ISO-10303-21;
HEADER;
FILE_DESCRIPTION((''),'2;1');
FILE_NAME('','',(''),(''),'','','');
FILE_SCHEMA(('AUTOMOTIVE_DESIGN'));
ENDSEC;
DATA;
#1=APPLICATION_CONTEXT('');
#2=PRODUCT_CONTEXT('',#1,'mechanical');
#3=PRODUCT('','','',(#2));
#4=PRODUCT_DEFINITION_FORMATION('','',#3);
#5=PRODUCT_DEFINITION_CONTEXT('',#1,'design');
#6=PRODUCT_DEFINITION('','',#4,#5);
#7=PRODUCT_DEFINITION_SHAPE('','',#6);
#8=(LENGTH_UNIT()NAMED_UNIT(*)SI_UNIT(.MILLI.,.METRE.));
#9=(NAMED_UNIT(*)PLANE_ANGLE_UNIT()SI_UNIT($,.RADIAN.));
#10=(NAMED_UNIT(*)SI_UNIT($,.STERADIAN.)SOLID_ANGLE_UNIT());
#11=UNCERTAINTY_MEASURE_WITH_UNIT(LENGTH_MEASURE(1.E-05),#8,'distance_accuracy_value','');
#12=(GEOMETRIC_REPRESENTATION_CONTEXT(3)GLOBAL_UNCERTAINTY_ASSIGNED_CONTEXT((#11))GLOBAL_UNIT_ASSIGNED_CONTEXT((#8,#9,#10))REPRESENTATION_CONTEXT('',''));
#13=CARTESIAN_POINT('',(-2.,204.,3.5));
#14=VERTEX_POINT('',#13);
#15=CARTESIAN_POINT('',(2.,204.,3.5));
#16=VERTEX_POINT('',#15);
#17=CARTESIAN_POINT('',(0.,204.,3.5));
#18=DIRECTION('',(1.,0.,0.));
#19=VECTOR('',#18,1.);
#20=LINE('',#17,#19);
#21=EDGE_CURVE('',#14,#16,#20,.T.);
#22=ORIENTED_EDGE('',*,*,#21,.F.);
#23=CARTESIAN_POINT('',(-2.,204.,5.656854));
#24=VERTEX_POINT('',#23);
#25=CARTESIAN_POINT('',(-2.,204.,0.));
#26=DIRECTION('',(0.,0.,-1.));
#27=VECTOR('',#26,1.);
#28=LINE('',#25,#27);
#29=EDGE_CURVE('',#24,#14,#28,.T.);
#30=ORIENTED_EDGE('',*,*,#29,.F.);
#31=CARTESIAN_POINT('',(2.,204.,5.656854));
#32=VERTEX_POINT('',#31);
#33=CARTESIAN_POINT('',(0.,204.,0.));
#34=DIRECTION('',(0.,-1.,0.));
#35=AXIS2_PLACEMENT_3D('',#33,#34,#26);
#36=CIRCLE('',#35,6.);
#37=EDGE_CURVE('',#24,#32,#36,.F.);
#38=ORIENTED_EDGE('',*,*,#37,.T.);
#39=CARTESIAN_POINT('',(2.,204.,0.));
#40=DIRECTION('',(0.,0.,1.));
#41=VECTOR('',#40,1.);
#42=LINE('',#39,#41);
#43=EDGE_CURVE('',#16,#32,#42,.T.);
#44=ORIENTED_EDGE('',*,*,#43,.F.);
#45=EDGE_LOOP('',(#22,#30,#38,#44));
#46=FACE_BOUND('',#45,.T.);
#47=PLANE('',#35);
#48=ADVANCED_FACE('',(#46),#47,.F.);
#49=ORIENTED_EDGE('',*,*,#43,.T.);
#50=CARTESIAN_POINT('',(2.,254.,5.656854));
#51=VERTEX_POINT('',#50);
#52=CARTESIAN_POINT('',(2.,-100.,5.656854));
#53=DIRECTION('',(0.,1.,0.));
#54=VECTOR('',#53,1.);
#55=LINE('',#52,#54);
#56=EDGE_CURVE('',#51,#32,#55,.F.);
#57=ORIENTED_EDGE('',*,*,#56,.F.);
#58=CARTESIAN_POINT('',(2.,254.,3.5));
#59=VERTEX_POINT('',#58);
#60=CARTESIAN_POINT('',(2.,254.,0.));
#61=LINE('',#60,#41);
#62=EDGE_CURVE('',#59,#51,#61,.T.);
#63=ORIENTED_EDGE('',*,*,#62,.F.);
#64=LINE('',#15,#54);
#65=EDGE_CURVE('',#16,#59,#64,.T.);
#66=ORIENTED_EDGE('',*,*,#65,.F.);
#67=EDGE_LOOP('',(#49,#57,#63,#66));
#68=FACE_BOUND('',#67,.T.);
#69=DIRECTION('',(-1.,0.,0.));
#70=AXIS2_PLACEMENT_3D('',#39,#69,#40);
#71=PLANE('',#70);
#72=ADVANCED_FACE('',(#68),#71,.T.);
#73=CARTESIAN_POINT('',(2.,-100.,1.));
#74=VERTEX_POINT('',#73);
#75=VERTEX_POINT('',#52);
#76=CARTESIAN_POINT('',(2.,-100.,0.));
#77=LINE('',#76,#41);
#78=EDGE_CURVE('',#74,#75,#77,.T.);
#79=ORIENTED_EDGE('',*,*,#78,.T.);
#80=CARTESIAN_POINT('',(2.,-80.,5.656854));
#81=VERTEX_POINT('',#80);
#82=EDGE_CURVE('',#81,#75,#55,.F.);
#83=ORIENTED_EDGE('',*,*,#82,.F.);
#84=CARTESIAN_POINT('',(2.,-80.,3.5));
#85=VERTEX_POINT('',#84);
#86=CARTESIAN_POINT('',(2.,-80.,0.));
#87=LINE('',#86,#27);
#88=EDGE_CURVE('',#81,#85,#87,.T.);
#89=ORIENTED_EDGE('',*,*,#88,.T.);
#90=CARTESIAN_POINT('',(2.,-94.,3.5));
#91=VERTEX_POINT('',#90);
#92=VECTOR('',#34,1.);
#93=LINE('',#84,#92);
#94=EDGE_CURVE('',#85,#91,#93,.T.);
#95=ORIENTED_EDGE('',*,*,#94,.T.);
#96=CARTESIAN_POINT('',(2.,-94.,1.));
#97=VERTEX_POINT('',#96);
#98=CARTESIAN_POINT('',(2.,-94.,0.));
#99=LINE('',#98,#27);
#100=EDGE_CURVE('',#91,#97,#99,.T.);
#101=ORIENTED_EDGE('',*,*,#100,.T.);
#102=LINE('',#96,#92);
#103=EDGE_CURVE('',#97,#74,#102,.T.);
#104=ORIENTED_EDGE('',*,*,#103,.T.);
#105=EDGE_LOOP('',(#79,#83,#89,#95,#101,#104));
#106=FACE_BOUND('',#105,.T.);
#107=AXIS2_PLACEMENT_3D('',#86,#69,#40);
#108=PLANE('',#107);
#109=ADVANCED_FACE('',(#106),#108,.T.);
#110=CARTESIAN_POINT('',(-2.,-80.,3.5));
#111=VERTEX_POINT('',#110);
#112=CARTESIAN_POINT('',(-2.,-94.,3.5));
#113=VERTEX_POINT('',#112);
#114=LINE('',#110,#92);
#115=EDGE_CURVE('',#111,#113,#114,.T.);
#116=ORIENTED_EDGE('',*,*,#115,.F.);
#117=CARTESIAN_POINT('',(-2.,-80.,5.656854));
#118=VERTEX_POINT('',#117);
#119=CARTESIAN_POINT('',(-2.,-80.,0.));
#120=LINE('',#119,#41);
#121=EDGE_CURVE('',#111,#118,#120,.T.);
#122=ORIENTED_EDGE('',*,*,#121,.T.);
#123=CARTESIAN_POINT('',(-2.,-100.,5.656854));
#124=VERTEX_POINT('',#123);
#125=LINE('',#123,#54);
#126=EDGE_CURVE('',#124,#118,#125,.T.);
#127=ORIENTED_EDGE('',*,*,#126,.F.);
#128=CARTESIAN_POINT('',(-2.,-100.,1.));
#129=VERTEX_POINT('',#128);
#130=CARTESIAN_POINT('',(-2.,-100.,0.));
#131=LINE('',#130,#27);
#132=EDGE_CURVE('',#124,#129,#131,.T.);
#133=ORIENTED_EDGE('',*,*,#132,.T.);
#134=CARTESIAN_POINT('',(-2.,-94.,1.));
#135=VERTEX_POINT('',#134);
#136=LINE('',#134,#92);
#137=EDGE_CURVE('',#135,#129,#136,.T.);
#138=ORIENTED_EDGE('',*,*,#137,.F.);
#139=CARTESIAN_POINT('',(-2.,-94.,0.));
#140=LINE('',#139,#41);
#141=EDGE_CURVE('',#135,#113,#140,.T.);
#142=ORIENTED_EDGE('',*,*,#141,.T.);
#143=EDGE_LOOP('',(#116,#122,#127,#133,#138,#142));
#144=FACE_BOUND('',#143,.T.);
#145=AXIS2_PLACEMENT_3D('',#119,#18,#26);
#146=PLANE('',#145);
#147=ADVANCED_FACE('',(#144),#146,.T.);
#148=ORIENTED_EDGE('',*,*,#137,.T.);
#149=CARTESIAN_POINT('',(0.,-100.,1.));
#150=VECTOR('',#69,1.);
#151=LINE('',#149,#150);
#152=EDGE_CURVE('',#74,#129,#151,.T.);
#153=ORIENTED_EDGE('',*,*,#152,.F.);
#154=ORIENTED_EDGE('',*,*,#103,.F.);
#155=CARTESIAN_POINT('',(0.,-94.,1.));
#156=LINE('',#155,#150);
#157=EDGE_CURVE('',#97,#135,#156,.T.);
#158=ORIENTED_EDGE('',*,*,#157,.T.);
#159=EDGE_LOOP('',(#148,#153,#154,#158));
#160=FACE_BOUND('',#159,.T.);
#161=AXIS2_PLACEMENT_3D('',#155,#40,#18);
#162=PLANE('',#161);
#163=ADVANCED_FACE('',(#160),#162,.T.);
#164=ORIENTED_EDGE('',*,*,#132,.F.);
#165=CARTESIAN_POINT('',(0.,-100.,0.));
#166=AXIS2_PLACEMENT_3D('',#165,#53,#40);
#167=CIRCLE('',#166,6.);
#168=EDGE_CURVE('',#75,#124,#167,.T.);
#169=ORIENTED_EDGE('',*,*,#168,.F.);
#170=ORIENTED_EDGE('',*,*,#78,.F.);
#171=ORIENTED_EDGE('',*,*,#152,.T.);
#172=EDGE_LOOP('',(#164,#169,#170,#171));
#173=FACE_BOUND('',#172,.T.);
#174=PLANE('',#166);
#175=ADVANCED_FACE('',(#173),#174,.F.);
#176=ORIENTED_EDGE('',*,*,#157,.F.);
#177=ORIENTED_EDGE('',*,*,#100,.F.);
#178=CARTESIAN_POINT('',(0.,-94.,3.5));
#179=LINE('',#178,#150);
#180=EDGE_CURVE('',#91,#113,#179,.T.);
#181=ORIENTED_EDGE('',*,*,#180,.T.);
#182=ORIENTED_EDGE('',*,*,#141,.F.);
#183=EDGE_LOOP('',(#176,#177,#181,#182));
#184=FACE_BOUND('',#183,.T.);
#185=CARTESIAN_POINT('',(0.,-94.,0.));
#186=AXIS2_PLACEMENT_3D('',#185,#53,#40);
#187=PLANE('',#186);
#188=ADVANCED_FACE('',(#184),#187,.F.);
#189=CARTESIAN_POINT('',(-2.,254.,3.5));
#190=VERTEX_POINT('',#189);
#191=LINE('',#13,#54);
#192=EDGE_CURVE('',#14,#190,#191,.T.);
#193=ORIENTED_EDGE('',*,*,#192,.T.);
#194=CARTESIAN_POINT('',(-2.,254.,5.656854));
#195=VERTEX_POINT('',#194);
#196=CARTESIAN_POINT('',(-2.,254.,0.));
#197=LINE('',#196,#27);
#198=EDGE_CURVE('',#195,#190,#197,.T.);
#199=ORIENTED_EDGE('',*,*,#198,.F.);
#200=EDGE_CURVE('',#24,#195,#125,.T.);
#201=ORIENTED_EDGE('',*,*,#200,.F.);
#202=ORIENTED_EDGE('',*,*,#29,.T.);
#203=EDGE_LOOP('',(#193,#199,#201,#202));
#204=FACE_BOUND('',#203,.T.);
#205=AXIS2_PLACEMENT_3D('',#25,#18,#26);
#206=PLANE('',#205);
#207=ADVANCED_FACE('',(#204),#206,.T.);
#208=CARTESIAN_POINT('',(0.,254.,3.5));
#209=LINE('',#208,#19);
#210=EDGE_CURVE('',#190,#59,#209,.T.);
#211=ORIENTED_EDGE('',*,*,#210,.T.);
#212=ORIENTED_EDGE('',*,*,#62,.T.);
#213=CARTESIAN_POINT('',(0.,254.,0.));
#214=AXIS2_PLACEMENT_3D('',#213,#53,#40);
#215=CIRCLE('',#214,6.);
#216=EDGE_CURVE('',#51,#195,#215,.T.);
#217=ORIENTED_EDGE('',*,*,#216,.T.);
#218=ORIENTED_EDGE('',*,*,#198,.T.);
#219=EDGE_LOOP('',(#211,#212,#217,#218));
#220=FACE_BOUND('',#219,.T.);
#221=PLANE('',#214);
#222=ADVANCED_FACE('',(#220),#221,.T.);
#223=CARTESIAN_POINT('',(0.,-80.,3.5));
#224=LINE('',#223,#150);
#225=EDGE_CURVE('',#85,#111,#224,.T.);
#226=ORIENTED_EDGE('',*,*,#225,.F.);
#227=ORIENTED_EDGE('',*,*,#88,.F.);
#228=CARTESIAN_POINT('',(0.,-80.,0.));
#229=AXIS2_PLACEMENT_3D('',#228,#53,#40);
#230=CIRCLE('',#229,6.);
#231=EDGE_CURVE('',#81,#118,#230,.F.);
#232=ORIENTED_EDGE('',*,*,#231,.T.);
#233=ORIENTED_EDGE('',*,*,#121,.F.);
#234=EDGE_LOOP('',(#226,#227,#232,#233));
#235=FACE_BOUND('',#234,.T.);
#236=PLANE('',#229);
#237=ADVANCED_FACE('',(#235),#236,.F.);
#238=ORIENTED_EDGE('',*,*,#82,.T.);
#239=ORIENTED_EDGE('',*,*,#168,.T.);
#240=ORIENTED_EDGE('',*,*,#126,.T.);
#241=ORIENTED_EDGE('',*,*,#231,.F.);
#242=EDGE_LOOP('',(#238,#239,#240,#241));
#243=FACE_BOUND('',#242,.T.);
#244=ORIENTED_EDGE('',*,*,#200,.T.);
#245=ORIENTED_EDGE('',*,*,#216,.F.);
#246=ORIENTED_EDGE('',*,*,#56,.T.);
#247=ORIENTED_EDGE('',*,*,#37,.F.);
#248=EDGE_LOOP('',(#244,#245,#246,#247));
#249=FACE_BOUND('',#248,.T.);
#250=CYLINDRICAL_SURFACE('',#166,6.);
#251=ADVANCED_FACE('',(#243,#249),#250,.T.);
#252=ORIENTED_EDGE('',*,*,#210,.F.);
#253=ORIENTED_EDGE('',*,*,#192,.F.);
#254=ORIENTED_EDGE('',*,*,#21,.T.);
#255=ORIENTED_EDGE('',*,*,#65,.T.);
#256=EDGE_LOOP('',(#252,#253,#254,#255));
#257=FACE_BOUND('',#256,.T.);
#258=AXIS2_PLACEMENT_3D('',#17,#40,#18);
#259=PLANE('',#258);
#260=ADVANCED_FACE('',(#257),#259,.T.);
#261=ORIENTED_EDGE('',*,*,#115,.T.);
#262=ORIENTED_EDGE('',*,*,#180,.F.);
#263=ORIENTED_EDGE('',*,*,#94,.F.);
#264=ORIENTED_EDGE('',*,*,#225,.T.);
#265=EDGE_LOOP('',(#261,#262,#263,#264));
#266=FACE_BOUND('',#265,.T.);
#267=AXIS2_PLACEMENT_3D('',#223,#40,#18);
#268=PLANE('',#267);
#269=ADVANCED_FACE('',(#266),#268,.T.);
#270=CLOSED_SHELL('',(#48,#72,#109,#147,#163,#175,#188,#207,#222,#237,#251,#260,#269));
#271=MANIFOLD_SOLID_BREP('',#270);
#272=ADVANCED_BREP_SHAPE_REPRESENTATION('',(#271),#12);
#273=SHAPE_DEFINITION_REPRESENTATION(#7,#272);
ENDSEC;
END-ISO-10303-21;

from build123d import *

# Parameters (mm, degrees)
SKETCH1_R                = 6
BOSS_EXTRUDE1_DEPTH      = 254
BOSS_EXTRUDE1_DEPTH_BACK = 100
CUT_EXTRUDE3_START       = -100
SKETCH2_W                = 4
SKETCH2_H                = 5
CUT_EXTRUDE3_DEPTH       = 20
CUT_EXTRUDE3_DEPTH_BACK  = 0.0001
CUT_EXTRUDE4_START       = 254
SKETCH2_2_W              = 4
SKETCH2_2_H              = 5
CUT_EXTRUDE4_DEPTH       = 50
CUT_EXTRUDE6_START       = -100
SKETCH3_W                = 4
SKETCH3_H                = 10
CUT_EXTRUDE6_DEPTH       = 6


with BuildPart() as part:
    # Sketch1 → Boss-Extrude1 (new body, two sides)
    with BuildSketch(Plane(origin=(0, 0, 0), x_dir=(1, 0, 0), z_dir=(0, 1, 0))) as boss_extrude1_sk:
        Circle(SKETCH1_R)
    extrude(amount=BOSS_EXTRUDE1_DEPTH)
    extrude(boss_extrude1_sk.sketch, amount=-BOSS_EXTRUDE1_DEPTH_BACK)

    # Sketch2 → Cut-Extrude3 (cut, two sides)
    with BuildSketch(Plane(origin=(0, 0, 0), x_dir=(1, 0, 0), z_dir=(0, 1, 0)).offset(CUT_EXTRUDE3_START)) as cut_extrude3_sk:
        with Locations((0, -6)):
            Rectangle(SKETCH2_W, SKETCH2_H)
    extrude(amount=CUT_EXTRUDE3_DEPTH, mode=Mode.SUBTRACT)
    extrude(cut_extrude3_sk.sketch, amount=-CUT_EXTRUDE3_DEPTH_BACK, mode=Mode.SUBTRACT)

    # Sketch2<2> → Cut-Extrude4 (cut)
    with BuildSketch(Plane(origin=(0, 0, 0), x_dir=(1, 0, 0), z_dir=(0, 1, 0)).offset(CUT_EXTRUDE4_START)):
        with Locations((0, -6)):
            Rectangle(SKETCH2_2_W, SKETCH2_2_H)
    extrude(amount=-CUT_EXTRUDE4_DEPTH, mode=Mode.SUBTRACT)

    # Sketch3 → Cut-Extrude6 (cut)
    with BuildSketch(Plane(origin=(0, 0, 0), x_dir=(1, 0, 0), z_dir=(0, 1, 0)).offset(CUT_EXTRUDE6_START)):
        with Locations((0, -6)):
            Rectangle(SKETCH3_W, SKETCH3_H)
    extrude(amount=CUT_EXTRUDE6_DEPTH, mode=Mode.SUBTRACT)


solid = part.part
